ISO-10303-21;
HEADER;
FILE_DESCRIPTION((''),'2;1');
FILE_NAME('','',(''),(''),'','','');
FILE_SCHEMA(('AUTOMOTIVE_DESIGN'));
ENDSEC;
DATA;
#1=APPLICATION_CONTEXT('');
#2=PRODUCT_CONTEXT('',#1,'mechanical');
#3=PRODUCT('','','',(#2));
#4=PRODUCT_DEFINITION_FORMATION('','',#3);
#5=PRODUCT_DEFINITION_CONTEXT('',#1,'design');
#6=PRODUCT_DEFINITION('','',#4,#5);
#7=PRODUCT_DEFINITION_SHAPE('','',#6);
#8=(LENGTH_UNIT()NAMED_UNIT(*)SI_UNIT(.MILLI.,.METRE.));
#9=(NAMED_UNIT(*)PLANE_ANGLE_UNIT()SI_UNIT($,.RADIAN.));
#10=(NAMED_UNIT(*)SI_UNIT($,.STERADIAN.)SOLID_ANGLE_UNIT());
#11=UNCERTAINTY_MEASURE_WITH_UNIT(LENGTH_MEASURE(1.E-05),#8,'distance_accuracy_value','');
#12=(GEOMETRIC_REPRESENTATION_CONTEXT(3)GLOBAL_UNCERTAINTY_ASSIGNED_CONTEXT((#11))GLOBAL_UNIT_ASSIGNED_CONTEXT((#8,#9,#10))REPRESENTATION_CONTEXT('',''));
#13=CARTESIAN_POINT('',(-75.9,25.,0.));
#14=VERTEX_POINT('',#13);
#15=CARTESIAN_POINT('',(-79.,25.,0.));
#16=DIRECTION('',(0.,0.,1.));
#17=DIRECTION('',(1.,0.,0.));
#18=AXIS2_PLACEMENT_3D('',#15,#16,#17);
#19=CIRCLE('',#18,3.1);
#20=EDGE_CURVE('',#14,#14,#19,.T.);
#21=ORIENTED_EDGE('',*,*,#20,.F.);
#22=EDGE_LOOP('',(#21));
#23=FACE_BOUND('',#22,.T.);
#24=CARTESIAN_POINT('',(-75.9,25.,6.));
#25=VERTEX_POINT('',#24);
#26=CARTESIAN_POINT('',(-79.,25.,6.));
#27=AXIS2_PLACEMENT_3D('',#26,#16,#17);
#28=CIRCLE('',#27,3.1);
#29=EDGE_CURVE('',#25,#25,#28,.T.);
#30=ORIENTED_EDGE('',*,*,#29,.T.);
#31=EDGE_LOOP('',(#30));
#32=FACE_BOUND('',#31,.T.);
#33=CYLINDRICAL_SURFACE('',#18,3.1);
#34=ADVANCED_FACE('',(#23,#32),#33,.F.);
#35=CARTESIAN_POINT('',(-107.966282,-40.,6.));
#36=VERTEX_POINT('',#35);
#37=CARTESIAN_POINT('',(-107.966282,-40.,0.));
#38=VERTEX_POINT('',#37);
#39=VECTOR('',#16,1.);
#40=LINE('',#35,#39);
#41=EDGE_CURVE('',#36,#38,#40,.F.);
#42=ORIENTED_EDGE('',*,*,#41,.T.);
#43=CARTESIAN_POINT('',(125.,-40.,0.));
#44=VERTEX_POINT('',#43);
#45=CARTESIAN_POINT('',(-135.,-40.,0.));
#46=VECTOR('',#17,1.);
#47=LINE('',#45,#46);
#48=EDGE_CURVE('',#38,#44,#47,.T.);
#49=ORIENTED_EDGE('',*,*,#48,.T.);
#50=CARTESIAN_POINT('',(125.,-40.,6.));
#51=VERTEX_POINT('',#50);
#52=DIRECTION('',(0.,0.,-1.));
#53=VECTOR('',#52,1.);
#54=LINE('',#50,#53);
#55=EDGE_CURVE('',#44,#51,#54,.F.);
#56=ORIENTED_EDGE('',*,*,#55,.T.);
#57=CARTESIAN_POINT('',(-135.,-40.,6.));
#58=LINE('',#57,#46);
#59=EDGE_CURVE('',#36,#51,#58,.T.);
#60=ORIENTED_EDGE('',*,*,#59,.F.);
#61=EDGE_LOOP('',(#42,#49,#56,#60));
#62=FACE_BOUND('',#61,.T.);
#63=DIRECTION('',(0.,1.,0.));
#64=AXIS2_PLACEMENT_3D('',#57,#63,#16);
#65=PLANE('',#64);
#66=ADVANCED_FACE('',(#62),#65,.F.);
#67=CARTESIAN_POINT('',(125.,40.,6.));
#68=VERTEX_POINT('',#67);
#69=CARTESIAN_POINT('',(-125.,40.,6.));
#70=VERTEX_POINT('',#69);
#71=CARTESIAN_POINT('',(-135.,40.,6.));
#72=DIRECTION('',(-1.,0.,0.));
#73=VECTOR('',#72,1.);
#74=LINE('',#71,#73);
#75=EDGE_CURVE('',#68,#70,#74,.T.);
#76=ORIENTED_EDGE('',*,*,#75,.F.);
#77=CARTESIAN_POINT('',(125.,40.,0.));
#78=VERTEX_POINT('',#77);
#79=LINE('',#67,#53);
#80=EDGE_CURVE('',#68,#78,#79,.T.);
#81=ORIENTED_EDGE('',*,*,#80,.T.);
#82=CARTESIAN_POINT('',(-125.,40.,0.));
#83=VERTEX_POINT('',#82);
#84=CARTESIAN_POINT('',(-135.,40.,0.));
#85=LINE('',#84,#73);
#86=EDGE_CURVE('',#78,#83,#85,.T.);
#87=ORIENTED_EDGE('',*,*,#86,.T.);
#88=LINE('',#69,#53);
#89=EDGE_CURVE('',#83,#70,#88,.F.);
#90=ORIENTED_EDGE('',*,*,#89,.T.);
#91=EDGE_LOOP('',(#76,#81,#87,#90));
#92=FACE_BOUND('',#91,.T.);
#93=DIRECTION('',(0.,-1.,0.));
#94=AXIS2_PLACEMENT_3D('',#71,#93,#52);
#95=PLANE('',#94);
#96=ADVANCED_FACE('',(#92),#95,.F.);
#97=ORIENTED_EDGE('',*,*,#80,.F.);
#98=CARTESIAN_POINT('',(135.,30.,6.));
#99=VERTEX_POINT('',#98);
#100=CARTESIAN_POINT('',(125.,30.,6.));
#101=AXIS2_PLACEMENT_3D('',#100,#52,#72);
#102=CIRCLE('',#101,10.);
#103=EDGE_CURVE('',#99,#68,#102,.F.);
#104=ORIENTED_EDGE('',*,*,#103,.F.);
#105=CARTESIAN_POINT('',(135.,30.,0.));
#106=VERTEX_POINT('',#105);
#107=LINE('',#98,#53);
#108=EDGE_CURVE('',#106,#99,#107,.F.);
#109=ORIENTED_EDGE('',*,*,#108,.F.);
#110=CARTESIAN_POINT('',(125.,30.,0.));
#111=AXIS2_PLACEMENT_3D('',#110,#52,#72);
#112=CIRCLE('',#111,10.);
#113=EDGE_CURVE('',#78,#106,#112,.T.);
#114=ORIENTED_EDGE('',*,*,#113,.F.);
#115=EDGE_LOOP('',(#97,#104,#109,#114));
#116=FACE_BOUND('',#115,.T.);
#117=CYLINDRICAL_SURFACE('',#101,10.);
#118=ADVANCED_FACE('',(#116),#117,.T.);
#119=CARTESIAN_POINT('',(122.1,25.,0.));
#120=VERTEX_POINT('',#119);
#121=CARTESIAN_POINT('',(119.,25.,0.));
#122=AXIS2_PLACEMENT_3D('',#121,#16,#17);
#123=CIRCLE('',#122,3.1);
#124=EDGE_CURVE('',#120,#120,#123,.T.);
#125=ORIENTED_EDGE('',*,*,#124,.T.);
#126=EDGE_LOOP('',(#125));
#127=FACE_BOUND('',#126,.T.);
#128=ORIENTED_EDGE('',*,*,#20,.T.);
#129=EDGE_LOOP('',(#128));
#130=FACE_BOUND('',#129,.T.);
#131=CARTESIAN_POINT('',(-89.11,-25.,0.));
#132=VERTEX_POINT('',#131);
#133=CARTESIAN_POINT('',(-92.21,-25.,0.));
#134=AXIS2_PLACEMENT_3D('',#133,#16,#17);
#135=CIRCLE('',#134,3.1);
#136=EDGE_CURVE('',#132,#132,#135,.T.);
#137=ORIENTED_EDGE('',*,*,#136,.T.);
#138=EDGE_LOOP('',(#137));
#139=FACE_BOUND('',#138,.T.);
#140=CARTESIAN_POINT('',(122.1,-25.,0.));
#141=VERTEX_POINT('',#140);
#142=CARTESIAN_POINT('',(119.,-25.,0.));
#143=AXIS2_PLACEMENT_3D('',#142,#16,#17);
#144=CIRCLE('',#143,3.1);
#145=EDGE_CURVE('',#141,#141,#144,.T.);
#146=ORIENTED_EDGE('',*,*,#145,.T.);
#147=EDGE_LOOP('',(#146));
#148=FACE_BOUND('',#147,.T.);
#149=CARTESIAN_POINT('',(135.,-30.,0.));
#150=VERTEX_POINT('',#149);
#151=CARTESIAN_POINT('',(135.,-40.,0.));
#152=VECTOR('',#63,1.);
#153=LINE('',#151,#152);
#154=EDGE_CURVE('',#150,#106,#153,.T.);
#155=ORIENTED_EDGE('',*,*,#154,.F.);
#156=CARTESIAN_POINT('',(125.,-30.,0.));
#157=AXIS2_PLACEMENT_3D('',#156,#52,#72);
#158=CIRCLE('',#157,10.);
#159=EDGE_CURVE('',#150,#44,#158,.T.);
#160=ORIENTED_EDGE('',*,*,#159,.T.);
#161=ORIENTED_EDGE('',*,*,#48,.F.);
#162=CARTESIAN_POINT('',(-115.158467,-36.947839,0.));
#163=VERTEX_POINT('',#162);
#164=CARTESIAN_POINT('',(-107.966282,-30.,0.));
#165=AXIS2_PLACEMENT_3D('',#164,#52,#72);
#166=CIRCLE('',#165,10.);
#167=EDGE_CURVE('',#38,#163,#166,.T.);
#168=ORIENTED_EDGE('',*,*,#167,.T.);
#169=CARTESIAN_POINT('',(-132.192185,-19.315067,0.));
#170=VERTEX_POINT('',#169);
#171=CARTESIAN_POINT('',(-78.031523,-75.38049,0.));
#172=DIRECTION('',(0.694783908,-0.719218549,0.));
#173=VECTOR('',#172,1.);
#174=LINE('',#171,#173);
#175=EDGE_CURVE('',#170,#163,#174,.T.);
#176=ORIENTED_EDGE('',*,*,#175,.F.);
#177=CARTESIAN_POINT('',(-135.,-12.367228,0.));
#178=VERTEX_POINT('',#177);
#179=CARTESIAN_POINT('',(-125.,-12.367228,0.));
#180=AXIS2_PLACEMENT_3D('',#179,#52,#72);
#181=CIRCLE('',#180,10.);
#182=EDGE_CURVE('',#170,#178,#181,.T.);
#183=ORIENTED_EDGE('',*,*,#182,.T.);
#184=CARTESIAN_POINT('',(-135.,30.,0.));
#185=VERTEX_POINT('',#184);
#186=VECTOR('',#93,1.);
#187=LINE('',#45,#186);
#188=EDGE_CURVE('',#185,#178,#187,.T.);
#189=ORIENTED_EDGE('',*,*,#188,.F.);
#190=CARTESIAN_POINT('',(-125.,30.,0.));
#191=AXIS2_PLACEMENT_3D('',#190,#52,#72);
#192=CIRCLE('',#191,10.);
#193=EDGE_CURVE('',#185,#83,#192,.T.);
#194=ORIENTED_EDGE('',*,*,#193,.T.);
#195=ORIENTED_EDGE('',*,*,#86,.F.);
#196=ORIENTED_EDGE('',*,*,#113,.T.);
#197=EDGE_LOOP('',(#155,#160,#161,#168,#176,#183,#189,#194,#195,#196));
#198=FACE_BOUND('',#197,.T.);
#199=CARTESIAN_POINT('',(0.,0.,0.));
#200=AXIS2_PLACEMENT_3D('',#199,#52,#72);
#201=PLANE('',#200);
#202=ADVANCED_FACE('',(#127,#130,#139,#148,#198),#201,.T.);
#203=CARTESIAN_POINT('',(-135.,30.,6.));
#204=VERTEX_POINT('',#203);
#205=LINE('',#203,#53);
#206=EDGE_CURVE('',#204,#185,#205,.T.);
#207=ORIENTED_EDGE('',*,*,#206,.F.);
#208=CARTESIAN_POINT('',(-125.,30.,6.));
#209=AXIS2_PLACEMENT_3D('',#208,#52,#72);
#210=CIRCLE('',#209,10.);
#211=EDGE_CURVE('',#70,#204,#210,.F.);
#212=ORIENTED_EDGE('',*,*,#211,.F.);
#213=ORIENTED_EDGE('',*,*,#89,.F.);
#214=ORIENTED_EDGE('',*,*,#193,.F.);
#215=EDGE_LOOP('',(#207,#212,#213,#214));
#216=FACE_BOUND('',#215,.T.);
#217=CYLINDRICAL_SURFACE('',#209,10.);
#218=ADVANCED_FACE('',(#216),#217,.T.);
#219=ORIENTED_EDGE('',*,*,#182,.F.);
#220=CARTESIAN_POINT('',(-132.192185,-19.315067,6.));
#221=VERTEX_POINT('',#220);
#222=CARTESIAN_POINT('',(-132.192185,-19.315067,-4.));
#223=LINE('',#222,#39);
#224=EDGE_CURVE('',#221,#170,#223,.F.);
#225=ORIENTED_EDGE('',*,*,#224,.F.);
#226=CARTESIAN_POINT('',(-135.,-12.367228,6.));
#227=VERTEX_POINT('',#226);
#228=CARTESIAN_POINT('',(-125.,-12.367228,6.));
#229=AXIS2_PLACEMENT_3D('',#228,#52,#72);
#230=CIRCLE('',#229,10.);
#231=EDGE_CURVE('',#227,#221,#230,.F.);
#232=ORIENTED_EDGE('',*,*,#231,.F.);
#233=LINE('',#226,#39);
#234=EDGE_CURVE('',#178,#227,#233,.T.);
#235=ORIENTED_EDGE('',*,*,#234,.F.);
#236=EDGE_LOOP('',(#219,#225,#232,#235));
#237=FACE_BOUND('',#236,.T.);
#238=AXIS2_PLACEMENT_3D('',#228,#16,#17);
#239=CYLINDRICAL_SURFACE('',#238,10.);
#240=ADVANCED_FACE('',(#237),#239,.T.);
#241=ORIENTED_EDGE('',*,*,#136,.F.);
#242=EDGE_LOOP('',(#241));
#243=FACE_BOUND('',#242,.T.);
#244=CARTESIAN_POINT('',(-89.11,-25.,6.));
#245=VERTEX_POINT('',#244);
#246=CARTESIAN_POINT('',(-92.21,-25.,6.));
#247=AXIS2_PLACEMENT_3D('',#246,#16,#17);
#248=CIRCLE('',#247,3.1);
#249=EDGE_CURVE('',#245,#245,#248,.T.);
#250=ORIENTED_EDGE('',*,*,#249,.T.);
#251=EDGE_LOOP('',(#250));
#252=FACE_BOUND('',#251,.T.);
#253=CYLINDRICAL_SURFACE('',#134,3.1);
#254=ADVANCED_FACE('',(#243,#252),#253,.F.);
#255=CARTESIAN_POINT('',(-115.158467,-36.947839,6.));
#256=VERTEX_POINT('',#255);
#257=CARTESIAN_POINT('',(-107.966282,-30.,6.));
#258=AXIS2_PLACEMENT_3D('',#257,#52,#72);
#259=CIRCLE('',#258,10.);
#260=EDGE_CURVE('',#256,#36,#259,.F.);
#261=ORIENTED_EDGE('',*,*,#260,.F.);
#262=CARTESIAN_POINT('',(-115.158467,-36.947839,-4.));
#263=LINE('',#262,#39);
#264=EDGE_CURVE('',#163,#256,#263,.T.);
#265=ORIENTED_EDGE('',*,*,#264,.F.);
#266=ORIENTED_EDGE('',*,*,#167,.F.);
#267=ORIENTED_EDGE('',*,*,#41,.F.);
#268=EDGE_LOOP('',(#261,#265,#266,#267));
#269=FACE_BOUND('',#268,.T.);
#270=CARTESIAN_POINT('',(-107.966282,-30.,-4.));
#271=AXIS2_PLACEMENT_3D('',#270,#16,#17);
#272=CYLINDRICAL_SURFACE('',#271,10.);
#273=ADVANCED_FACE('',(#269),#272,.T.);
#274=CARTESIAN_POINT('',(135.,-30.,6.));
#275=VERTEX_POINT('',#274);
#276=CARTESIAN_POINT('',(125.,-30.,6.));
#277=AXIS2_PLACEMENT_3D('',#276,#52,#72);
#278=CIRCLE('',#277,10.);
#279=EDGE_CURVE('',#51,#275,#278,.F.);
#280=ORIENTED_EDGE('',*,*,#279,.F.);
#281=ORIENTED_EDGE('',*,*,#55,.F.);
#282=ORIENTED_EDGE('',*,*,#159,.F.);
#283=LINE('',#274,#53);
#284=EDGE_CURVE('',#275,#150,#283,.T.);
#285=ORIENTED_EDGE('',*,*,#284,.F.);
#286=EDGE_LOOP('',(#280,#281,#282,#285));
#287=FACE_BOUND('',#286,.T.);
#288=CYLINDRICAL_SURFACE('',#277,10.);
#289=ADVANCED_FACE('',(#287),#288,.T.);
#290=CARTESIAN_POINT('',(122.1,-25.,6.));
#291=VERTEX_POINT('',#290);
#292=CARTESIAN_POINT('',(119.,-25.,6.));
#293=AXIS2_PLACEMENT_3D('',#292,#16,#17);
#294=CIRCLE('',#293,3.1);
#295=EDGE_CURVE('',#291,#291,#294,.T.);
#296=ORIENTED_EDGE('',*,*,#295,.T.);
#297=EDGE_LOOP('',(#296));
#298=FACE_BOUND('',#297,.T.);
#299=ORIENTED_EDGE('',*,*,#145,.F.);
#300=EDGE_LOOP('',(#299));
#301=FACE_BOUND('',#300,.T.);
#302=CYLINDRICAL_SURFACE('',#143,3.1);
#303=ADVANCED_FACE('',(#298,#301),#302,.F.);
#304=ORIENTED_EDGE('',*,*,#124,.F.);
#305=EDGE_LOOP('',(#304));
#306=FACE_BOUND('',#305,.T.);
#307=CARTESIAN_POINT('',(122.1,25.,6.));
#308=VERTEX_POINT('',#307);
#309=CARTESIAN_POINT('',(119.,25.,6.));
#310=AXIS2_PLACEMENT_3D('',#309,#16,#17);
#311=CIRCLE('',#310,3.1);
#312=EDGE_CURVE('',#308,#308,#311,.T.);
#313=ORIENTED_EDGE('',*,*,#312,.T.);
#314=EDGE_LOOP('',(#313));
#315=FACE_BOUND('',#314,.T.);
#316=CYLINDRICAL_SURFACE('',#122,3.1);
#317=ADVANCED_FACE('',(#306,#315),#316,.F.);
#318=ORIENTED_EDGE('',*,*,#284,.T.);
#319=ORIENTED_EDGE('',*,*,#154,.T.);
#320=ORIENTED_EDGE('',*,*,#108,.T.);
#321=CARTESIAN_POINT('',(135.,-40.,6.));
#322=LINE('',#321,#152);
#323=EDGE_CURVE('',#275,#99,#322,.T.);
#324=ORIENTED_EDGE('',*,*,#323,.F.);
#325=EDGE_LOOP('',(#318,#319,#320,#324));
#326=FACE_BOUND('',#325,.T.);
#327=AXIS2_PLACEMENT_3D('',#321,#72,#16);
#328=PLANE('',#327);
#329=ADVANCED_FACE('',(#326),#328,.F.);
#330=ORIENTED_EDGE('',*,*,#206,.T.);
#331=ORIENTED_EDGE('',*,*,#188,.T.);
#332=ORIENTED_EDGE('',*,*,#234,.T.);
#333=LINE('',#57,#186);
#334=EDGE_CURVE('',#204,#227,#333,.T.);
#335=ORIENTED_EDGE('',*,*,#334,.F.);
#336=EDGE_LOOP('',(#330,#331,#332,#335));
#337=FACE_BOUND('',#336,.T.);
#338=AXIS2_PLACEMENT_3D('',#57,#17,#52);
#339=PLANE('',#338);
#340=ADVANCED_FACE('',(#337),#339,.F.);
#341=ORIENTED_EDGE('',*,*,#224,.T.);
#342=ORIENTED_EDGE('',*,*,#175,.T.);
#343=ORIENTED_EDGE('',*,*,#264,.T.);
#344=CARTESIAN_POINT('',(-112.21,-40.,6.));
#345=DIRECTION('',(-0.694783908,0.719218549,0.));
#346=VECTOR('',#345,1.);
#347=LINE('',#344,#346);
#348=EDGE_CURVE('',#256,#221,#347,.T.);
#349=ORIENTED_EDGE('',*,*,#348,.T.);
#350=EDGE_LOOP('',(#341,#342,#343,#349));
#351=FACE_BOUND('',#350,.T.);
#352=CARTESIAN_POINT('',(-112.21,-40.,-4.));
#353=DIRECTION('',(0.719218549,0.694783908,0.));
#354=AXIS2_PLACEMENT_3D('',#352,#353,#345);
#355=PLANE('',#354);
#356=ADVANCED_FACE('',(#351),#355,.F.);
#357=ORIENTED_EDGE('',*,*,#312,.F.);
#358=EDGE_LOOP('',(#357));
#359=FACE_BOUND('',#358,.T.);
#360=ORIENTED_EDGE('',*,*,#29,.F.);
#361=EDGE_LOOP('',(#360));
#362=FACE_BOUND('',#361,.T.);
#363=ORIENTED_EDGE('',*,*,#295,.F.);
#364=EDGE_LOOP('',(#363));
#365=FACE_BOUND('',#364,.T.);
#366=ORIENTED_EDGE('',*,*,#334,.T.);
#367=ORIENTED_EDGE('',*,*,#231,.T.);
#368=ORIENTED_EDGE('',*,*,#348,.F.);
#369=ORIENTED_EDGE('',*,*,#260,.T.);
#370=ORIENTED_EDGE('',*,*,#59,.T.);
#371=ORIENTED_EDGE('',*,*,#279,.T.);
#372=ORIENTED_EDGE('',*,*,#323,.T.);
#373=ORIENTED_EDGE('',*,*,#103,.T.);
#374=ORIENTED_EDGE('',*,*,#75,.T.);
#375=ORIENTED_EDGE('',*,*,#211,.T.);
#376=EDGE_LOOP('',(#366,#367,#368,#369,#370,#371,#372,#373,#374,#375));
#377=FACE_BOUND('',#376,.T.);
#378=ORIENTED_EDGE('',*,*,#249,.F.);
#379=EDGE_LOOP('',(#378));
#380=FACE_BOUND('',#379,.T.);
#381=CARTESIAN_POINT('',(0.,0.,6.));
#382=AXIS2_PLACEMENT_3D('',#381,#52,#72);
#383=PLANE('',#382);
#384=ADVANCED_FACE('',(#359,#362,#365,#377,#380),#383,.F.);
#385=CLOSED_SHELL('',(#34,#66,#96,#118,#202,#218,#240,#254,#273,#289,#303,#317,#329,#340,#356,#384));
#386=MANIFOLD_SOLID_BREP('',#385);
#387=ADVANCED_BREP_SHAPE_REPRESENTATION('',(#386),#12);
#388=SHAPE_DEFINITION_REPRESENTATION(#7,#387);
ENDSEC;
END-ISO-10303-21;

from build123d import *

# Parameters (mm, degrees)
SKETCH1_W           = 270
SKETCH1_H           = 80
BOSS_EXTRUDE1_DEPTH = 6
SKETCH2_R           = 3.1
CUT_EXTRUDE1_DEPTH  = 141.929060169
FILLET1_R           = 10
CUT_EXTRUDE2_DEPTH  = 10
FILLET2_R           = 10


with BuildPart() as part:
    # Sketch1 → Boss-Extrude1 (new body)
    with BuildSketch(Plane.XY):
        Rectangle(SKETCH1_W, SKETCH1_H)
    extrude(amount=BOSS_EXTRUDE1_DEPTH)

    # Sketch2 → Cut-Extrude1 (cut, through all)
    with BuildSketch(Plane.XY.offset(6)):
        with Locations((-79, 25)):
            Circle(SKETCH2_R)
        with Locations((119, 25)):
            Circle(SKETCH2_R)
        with Locations((119, -25)):
            Circle(SKETCH2_R)
        with Locations((-92.21, -25)):
            Circle(SKETCH2_R)
    extrude(amount=-CUT_EXTRUDE1_DEPTH, mode=Mode.SUBTRACT)

    # Fillet1
    fillet1_edges = [part.edges().sort_by_distance(p)[0] for p in [
        (135, -40, 3),
        (-135, -40, 3),
        (-135, 40, 3),
        (135, 40, 3),
    ]]
    fillet(fillet1_edges, radius=FILLET1_R)

    # Sketch3 → Cut-Extrude2 (cut)
    with BuildSketch(Plane.XY.offset(6)):
        Polygon((-112.21, -40), (-154.206287839, 3.47324229), (-156.168985045, -56.555388838), (-112.21, -57.992672605), align=None)
    extrude(amount=-CUT_EXTRUDE2_DEPTH, mode=Mode.SUBTRACT)

    # Fillet2
    fillet2_edges = [part.edges().sort_by_distance(p)[0] for p in [
        (-135, -16.408505543, 3),
        (-112.21, -40, 3),
    ]]
    fillet(fillet2_edges, radius=FILLET2_R)


solid = part.part
